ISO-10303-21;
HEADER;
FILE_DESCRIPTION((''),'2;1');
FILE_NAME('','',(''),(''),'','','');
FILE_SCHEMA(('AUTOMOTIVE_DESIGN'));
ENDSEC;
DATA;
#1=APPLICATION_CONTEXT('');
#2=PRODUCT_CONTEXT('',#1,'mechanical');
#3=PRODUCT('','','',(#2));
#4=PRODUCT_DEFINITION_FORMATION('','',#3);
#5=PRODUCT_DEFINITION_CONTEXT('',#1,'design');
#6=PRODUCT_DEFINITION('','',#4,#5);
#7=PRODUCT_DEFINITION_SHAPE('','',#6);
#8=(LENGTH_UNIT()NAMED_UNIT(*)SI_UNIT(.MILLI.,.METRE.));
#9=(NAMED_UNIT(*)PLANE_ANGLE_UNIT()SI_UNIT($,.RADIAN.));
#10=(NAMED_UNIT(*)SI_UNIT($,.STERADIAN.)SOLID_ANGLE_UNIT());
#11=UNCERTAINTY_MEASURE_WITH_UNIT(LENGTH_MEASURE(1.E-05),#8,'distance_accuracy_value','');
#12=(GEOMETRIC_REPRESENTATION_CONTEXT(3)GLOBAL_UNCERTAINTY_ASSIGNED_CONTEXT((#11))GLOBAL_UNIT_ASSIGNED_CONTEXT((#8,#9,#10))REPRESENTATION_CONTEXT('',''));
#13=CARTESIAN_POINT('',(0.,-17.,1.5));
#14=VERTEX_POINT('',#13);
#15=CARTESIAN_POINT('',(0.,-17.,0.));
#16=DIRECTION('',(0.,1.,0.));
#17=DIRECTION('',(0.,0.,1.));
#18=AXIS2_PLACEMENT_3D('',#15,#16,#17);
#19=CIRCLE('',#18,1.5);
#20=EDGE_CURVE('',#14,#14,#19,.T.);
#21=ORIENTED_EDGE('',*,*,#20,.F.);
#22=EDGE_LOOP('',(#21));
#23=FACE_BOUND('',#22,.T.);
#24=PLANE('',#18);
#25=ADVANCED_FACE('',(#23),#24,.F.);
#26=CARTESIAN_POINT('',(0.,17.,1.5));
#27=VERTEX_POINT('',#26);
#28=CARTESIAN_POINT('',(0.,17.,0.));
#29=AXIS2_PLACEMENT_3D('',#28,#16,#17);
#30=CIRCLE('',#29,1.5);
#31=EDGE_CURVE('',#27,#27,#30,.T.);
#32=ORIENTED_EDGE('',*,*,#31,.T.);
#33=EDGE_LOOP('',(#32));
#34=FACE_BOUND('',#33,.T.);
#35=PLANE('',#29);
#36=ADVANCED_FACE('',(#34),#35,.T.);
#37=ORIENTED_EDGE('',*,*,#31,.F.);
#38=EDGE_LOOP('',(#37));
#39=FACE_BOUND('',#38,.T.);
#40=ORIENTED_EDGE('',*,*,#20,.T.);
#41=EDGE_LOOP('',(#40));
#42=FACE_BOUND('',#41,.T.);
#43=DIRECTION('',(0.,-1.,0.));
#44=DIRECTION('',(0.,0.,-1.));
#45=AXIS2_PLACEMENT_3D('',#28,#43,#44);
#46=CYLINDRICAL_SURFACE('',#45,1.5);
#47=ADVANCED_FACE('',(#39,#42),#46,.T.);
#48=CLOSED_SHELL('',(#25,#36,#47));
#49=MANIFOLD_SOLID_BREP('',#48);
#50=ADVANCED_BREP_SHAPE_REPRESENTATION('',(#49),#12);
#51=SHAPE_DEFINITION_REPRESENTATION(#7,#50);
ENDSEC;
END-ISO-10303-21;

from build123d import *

# Parameters (mm, degrees)
SKETCH1_R           = 1.5
BOSS_EXTRUDE1_DEPTH = 17


with BuildPart() as part:
    # Sketch1 → Boss-Extrude1 (new, symmetric)
    with BuildSketch(Plane(origin=(0, 0, 0), x_dir=(1, 0, 0), z_dir=(0, 1, 0))):
        Circle(SKETCH1_R)
    extrude(amount=BOSS_EXTRUDE1_DEPTH, both=True)


solid = part.part
